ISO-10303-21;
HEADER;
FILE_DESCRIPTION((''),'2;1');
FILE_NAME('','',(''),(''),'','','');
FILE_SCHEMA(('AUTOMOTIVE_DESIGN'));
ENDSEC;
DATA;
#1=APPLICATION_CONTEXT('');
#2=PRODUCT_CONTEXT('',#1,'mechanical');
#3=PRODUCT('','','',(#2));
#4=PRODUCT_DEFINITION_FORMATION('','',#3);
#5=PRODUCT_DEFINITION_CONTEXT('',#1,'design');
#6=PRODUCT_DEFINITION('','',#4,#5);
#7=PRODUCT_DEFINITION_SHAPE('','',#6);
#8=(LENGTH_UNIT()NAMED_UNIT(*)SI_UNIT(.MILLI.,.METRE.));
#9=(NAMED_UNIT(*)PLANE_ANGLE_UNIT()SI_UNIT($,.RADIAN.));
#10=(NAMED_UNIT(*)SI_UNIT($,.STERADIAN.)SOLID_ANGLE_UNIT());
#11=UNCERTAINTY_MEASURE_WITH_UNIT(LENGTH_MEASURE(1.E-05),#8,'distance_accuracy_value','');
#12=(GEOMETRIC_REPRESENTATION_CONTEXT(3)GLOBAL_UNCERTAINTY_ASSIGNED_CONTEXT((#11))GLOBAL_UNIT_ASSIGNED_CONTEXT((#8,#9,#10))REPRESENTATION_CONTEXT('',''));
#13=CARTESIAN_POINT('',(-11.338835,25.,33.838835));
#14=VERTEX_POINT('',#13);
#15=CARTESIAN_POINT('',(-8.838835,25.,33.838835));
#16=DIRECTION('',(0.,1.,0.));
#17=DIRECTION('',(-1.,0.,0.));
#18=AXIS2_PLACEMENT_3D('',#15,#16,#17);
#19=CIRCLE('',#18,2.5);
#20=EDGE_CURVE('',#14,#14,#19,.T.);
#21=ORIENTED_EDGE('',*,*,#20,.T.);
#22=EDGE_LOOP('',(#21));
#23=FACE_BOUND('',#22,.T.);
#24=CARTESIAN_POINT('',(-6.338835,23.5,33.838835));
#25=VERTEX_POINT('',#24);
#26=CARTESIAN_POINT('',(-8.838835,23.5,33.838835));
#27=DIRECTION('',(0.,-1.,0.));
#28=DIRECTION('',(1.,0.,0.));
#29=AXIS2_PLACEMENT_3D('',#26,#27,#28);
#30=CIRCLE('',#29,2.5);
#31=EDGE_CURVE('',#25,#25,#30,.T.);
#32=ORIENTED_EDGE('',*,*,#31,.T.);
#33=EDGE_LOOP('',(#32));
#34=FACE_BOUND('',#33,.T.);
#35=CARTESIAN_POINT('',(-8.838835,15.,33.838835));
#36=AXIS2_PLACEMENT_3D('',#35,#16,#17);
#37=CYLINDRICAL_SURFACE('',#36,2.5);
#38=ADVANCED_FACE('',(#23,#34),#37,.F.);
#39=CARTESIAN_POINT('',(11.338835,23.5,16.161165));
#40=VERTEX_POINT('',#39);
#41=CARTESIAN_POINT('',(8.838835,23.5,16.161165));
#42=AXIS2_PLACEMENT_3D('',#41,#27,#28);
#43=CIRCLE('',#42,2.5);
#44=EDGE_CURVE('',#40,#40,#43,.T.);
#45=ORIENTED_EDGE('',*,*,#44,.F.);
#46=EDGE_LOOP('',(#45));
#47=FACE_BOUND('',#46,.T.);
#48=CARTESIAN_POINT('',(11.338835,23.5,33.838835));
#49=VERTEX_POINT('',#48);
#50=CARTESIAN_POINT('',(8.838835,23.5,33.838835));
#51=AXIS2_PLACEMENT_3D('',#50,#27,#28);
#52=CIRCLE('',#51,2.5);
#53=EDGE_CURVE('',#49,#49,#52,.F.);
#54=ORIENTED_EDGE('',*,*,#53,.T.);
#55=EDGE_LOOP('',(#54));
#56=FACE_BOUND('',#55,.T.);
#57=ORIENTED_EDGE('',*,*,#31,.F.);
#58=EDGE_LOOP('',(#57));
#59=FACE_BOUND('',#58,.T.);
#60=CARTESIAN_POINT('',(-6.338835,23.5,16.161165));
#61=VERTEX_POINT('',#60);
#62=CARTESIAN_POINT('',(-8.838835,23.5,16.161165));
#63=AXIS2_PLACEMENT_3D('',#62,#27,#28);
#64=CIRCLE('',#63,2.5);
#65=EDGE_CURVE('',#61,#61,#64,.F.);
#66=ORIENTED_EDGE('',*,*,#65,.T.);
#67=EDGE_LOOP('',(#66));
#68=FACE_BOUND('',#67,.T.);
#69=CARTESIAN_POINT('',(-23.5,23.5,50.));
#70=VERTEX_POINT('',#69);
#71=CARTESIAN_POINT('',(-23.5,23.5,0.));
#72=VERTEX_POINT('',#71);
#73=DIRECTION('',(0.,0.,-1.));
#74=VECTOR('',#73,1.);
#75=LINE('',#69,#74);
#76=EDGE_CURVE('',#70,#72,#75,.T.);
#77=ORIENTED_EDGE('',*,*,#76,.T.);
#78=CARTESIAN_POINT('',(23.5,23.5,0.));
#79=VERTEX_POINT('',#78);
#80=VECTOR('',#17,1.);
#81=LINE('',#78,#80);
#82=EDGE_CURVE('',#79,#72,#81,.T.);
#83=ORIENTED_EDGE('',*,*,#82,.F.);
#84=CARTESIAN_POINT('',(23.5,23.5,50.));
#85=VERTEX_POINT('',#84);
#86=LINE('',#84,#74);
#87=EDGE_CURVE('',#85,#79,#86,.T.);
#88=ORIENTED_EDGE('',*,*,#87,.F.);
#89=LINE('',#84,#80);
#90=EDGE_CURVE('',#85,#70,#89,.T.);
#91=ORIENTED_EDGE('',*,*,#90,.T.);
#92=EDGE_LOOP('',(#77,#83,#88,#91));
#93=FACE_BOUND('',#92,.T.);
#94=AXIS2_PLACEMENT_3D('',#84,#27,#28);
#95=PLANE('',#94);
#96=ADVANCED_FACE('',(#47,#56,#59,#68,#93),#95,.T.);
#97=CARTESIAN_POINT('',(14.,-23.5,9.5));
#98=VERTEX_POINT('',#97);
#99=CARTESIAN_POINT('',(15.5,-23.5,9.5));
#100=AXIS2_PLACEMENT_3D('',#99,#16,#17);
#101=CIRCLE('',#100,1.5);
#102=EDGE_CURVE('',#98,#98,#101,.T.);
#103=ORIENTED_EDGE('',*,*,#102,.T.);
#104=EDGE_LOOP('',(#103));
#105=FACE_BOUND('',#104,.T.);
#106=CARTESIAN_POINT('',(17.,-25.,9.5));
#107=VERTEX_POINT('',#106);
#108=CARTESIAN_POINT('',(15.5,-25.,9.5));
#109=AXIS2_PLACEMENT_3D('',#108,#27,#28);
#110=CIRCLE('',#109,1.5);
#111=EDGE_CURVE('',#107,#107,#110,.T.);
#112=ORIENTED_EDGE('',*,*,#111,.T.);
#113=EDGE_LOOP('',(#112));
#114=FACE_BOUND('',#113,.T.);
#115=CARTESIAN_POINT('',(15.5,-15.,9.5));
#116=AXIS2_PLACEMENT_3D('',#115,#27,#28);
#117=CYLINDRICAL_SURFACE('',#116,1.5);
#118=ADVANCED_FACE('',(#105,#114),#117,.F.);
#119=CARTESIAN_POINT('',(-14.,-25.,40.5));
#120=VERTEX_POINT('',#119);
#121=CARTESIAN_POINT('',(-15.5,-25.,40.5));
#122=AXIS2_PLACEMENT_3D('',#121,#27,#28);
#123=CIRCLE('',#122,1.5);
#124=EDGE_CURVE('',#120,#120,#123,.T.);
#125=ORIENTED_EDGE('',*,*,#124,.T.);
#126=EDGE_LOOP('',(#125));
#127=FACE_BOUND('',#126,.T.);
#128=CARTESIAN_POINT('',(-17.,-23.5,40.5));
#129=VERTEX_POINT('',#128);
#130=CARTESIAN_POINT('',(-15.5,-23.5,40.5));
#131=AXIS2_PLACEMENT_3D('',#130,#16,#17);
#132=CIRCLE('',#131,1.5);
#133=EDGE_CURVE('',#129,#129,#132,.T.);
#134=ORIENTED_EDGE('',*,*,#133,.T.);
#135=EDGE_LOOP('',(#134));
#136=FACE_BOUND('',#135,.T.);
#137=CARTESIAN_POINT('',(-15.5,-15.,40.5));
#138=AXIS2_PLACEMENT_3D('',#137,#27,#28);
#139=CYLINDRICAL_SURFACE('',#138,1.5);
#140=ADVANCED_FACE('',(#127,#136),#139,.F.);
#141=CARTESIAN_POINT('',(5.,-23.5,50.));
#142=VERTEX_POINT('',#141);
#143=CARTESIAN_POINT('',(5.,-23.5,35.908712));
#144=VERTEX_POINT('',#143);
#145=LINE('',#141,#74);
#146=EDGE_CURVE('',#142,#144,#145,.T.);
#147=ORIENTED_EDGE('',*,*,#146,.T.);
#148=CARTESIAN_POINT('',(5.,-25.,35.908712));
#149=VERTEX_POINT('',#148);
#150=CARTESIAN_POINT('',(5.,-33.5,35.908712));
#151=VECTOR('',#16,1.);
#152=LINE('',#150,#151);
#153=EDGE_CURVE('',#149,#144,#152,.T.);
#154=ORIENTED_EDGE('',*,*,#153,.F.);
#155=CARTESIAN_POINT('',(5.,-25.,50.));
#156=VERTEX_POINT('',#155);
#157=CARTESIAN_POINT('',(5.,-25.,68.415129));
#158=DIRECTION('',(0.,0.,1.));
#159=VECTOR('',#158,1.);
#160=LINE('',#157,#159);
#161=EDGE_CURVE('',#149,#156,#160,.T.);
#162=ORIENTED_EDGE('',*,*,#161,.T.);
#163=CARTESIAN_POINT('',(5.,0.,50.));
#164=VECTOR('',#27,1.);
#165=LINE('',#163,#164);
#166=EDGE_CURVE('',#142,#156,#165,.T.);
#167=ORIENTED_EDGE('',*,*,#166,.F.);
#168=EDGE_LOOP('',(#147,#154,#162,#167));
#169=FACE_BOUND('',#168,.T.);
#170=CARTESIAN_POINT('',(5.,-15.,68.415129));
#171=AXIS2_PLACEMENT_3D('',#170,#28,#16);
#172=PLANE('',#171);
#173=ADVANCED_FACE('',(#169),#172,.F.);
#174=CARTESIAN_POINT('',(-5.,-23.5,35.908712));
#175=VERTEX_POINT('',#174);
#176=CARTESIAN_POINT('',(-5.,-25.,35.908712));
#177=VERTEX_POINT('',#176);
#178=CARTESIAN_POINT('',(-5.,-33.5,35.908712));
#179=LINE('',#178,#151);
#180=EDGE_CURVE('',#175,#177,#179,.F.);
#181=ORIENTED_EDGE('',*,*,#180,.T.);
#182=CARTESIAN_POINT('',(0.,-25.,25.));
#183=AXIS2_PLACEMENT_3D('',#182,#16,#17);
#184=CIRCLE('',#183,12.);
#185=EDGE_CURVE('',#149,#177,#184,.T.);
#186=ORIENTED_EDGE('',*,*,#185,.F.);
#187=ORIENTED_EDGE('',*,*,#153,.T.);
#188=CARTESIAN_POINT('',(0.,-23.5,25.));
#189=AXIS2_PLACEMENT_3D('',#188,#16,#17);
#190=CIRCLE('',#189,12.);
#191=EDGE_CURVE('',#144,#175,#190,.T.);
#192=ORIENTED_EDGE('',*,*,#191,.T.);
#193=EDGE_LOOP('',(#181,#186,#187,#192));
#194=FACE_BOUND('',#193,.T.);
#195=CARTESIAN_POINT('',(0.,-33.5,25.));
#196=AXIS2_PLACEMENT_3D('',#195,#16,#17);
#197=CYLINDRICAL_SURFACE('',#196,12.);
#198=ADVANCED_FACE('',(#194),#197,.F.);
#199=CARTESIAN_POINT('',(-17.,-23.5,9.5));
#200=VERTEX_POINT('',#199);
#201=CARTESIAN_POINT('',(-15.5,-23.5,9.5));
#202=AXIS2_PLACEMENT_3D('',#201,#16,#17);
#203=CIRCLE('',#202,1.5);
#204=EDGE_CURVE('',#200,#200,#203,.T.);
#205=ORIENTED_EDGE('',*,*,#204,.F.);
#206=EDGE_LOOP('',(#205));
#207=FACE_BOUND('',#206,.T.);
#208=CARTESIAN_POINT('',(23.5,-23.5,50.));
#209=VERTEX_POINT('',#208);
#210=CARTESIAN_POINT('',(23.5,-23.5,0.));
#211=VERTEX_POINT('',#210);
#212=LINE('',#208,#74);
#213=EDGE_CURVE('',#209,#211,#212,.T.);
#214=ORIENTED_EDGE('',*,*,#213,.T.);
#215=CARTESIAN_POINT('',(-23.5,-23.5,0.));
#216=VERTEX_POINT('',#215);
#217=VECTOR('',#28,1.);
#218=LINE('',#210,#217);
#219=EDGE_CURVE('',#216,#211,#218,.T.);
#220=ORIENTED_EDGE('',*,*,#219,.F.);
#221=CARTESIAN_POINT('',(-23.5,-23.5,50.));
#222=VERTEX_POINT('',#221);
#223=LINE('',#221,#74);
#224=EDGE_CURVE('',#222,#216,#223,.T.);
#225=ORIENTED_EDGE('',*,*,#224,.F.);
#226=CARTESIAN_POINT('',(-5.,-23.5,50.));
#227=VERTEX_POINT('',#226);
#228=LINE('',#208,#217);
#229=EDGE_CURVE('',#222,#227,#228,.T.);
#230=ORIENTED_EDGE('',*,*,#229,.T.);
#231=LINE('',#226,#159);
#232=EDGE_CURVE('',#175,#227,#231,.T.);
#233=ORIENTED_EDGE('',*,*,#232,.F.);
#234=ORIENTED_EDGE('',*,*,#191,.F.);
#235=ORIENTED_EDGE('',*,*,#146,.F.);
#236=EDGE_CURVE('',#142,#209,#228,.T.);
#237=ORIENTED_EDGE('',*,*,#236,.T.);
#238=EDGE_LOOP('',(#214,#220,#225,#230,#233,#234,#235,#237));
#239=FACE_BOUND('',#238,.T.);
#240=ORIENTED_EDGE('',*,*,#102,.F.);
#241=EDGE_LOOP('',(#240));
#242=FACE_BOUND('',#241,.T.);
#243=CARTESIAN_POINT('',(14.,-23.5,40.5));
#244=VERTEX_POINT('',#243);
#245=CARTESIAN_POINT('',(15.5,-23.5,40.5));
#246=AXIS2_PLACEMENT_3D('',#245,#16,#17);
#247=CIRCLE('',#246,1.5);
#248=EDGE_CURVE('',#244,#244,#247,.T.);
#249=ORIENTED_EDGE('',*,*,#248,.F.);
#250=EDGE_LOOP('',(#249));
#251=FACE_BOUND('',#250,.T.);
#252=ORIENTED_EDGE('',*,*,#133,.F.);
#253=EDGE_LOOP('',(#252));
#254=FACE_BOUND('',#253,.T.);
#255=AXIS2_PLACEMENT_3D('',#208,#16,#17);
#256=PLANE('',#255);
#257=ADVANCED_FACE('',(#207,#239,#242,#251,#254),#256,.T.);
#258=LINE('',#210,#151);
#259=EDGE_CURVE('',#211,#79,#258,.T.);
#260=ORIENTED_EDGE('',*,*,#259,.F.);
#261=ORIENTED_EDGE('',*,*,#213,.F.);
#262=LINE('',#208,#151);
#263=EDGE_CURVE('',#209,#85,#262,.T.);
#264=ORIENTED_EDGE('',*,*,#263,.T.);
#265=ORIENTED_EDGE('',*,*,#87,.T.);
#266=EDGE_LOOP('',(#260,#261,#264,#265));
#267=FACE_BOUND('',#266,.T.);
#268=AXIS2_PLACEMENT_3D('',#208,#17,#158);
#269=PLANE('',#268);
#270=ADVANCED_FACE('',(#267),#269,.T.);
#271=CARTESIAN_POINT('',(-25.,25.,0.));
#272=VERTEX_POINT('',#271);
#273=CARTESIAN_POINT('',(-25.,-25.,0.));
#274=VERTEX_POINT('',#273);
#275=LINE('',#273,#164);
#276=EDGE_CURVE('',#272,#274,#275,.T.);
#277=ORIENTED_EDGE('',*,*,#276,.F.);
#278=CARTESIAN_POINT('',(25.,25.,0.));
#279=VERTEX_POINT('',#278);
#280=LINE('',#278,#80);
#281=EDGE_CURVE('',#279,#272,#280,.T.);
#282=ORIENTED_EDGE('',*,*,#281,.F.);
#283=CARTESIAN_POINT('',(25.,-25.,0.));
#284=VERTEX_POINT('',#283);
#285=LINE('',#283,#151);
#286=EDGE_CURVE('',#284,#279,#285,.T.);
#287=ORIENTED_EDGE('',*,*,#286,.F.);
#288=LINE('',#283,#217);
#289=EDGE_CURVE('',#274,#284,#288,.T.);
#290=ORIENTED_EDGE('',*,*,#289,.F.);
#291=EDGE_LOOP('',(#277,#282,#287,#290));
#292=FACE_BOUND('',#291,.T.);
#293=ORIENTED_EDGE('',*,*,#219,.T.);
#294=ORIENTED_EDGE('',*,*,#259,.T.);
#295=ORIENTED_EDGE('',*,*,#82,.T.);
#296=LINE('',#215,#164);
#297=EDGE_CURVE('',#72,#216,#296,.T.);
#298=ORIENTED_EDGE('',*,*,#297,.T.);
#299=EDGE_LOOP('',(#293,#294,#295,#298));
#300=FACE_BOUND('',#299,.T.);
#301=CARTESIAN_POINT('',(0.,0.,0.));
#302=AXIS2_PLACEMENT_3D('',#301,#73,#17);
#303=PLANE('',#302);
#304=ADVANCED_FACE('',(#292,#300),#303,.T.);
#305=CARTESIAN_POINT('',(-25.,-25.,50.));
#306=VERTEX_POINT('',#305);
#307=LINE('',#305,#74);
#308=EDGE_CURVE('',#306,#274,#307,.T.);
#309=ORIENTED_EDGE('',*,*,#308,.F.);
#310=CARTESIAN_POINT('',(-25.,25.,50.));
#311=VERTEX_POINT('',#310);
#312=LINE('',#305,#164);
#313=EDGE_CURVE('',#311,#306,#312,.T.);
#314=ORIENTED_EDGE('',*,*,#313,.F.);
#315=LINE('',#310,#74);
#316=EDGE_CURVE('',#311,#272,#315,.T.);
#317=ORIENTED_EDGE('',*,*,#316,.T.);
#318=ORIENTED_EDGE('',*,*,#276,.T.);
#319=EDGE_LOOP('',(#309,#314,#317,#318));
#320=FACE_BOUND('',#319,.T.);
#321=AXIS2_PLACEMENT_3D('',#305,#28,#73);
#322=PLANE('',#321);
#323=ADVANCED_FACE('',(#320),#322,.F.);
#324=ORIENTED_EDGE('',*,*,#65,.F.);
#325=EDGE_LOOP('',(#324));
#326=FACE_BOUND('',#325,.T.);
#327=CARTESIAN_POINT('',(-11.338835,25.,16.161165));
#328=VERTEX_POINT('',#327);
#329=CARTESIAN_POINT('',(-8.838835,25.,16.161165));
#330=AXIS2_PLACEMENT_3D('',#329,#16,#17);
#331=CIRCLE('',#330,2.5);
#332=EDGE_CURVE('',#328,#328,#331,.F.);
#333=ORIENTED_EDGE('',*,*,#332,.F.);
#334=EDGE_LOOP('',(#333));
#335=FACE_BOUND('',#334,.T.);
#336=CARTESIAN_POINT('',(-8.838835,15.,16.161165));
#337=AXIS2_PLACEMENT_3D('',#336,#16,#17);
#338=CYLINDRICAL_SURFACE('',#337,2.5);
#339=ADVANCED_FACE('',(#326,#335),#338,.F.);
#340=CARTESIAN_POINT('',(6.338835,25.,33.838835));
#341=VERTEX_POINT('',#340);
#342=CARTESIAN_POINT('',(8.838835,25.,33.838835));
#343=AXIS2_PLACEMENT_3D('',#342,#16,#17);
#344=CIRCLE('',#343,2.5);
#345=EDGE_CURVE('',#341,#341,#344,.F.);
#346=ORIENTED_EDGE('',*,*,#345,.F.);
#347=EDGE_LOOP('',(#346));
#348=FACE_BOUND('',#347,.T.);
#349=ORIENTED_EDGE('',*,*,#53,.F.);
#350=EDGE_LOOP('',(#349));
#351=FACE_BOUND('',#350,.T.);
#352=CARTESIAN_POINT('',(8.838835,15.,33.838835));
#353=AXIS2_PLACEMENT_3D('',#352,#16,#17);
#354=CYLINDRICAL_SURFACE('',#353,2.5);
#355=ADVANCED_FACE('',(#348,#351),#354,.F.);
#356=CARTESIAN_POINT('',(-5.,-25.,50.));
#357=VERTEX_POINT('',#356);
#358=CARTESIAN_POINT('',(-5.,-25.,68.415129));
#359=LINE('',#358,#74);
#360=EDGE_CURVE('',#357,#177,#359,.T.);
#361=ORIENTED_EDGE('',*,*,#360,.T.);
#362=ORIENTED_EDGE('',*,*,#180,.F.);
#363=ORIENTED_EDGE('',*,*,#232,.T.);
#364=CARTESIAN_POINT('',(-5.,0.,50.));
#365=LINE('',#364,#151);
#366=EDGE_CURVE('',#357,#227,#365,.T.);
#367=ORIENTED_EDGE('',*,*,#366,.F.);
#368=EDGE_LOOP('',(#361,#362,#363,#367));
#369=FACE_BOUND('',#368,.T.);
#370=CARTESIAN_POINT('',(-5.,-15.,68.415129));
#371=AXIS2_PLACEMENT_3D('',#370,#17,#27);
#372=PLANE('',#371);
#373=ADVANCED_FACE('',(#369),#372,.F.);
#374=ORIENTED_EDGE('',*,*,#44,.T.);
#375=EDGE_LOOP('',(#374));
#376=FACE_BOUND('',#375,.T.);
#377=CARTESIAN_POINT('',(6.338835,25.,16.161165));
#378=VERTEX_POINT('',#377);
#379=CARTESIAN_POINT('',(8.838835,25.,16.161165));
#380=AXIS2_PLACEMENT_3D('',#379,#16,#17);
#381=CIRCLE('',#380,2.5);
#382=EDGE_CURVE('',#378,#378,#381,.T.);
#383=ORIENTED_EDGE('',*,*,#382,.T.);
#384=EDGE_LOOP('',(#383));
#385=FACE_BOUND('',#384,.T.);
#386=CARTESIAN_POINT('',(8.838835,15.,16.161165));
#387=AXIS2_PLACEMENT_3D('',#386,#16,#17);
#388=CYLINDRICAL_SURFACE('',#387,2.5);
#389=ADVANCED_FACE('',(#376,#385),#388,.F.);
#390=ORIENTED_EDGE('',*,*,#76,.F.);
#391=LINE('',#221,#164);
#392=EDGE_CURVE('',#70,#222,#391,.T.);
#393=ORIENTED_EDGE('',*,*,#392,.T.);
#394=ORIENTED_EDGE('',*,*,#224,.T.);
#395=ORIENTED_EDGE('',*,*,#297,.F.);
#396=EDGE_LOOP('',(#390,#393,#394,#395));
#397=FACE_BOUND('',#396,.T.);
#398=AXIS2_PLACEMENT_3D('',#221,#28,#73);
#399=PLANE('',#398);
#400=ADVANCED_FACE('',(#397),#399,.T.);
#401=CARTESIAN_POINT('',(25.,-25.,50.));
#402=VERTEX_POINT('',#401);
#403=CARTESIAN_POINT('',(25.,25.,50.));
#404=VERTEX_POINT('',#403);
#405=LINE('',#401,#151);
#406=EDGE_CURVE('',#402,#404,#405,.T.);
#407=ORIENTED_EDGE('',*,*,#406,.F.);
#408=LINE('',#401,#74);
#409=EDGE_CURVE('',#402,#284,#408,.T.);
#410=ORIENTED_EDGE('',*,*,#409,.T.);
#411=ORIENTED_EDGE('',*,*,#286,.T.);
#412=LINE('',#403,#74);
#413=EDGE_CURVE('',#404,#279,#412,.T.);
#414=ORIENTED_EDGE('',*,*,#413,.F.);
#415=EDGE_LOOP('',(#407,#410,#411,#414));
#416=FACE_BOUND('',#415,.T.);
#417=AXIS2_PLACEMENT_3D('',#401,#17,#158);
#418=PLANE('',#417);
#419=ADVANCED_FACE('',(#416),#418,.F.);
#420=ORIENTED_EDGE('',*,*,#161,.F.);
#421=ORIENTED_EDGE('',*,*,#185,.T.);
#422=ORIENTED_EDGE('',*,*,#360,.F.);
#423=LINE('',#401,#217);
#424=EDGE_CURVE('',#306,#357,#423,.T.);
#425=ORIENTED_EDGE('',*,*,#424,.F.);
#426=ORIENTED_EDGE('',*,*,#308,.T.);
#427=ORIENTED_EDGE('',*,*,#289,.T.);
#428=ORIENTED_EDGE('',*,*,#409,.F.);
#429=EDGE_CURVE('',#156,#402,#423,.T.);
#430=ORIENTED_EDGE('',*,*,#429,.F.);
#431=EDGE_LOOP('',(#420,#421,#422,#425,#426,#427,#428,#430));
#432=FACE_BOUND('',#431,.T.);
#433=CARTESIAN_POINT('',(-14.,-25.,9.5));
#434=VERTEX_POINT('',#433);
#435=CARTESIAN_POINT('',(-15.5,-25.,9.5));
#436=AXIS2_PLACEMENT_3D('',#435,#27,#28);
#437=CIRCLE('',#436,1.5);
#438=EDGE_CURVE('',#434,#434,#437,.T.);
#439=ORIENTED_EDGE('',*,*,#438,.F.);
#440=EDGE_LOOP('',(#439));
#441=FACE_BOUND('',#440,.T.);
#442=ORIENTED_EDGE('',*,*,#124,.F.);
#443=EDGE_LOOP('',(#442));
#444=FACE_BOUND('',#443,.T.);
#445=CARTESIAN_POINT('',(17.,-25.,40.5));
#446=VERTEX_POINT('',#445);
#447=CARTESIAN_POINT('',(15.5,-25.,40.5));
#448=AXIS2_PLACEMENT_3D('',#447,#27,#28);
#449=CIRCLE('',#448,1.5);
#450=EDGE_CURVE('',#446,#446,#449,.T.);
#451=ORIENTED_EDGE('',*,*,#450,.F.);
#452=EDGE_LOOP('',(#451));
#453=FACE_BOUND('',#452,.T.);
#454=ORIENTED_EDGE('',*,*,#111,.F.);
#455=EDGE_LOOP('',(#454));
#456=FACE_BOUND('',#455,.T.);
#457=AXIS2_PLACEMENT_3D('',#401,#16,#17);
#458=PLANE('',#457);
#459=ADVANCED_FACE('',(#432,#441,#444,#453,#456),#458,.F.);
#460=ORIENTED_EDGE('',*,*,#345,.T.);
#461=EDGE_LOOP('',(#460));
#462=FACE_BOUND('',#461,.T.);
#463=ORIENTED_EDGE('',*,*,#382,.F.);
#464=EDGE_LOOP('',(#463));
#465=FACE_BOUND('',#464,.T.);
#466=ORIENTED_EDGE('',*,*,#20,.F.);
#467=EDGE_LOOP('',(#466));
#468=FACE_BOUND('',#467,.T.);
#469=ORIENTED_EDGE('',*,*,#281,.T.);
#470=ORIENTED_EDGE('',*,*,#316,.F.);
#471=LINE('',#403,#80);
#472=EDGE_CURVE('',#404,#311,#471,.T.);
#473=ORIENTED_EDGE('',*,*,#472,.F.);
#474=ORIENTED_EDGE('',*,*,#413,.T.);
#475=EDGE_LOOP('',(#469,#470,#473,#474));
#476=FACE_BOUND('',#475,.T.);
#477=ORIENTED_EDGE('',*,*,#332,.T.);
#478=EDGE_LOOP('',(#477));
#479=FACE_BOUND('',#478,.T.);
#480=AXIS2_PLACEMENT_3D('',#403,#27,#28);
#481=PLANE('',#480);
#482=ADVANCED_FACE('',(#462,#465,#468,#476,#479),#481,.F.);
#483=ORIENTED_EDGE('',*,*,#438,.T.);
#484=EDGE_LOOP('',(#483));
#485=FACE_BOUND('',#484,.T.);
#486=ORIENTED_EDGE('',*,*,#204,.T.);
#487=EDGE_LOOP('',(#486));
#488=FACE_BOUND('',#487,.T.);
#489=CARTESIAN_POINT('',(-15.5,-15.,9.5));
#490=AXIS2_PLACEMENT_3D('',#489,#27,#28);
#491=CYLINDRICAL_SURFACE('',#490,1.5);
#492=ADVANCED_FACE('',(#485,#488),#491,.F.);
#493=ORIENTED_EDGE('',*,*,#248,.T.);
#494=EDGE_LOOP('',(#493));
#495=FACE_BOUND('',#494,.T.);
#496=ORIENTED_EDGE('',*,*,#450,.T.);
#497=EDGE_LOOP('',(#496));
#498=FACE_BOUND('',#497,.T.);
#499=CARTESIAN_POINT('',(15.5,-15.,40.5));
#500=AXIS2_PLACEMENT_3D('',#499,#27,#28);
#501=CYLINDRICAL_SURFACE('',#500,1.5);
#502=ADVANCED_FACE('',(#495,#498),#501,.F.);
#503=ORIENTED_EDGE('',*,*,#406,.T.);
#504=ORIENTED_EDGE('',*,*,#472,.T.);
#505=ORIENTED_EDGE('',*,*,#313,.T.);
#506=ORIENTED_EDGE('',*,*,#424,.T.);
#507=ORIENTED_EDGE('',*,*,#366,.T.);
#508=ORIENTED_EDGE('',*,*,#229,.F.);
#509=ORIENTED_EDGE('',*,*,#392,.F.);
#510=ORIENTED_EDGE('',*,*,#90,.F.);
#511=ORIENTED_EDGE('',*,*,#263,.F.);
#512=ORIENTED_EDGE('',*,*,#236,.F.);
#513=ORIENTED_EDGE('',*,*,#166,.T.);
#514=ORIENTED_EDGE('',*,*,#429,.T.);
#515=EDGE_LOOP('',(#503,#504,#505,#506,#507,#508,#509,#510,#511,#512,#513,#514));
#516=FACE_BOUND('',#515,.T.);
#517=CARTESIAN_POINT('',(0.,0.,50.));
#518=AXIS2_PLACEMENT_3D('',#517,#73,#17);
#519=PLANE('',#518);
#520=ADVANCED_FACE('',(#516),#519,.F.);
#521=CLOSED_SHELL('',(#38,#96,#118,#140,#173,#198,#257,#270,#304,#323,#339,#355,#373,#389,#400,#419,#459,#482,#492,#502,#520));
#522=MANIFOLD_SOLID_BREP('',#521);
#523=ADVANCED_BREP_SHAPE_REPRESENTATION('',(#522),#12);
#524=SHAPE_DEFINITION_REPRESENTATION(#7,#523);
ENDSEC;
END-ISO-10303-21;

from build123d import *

# Parameters (mm, degrees)
ESBO_O1_W                = 50
ESBO_O1_H                = 50
ESBO_O1_W_2              = 47
ESBO_O1_H_2              = 47
RESSALTO_EXTRUS_O1_DEPTH = 50
ESBO_O2_R                = 2.5
CORTE_EXTRUS_O2_DEPTH    = 10
ESBO_O3_R                = 12
CORTE_EXTRUS_O3_DEPTH    = 10
ESBO_O4_R                = 1.5
CORTE_EXTRUS_O5_DEPTH    = 10
ESBO_O5_W                = 10
ESBO_O5_H                = 36.830257898
CORTE_EXTRUS_O6_DEPTH    = 10


with BuildPart() as part:
    # Esboço1 → Ressalto-extrusão1 (new body)
    with BuildSketch(Plane.XY):
        Rectangle(ESBO_O1_W, ESBO_O1_H)
        Rectangle(ESBO_O1_W_2, ESBO_O1_H_2, mode=Mode.SUBTRACT)
    extrude(amount=RESSALTO_EXTRUS_O1_DEPTH)

    # Esboço2 → Corte-extrusão2 (cut)
    with BuildSketch(Plane(origin=(0, 25, 0), x_dir=(1, 0, 0), z_dir=(0, 1, 0))):
        with Locations((-8.838834765, -16.161165235)):
            Circle(ESBO_O2_R)
        with Locations((8.838834765, -16.161165235)):
            Circle(ESBO_O2_R)
        with Locations((-8.838834765, -33.838834765)):
            Circle(ESBO_O2_R)
        with Locations((8.838834765, -33.838834765)):
            Circle(ESBO_O2_R)
    extrude(amount=-CORTE_EXTRUS_O2_DEPTH, mode=Mode.SUBTRACT)

    # Esboço3 → Corte-extrusão3 (cut)
    with BuildSketch(Plane(origin=(0, -23.5, 0), x_dir=(1, 0, 0), z_dir=(0, 1, 0))):
        with Locations((0, -25)):
            Circle(ESBO_O3_R)
    extrude(amount=-CORTE_EXTRUS_O3_DEPTH, mode=Mode.SUBTRACT)

    # Esboço4 → Corte-extrusão5 (cut)
    with BuildSketch(Plane.XZ.offset(25)):
        with Locations((15.5, 40.5)):
            Circle(ESBO_O4_R)
        with Locations((15.5, 9.5)):
            Circle(ESBO_O4_R)
        with Locations((-15.5, 40.5)):
            Circle(ESBO_O4_R)
        with Locations((-15.5, 9.5)):
            Circle(ESBO_O4_R)
    extrude(amount=-CORTE_EXTRUS_O5_DEPTH, mode=Mode.SUBTRACT)

    # Esboço5 → Corte-extrusão6 (cut)
    with BuildSketch(Plane.XZ.offset(25)):
        with Locations((0, 50)):
            Rectangle(ESBO_O5_W, ESBO_O5_H)
    extrude(amount=-CORTE_EXTRUS_O6_DEPTH, mode=Mode.SUBTRACT)


solid = part.part
